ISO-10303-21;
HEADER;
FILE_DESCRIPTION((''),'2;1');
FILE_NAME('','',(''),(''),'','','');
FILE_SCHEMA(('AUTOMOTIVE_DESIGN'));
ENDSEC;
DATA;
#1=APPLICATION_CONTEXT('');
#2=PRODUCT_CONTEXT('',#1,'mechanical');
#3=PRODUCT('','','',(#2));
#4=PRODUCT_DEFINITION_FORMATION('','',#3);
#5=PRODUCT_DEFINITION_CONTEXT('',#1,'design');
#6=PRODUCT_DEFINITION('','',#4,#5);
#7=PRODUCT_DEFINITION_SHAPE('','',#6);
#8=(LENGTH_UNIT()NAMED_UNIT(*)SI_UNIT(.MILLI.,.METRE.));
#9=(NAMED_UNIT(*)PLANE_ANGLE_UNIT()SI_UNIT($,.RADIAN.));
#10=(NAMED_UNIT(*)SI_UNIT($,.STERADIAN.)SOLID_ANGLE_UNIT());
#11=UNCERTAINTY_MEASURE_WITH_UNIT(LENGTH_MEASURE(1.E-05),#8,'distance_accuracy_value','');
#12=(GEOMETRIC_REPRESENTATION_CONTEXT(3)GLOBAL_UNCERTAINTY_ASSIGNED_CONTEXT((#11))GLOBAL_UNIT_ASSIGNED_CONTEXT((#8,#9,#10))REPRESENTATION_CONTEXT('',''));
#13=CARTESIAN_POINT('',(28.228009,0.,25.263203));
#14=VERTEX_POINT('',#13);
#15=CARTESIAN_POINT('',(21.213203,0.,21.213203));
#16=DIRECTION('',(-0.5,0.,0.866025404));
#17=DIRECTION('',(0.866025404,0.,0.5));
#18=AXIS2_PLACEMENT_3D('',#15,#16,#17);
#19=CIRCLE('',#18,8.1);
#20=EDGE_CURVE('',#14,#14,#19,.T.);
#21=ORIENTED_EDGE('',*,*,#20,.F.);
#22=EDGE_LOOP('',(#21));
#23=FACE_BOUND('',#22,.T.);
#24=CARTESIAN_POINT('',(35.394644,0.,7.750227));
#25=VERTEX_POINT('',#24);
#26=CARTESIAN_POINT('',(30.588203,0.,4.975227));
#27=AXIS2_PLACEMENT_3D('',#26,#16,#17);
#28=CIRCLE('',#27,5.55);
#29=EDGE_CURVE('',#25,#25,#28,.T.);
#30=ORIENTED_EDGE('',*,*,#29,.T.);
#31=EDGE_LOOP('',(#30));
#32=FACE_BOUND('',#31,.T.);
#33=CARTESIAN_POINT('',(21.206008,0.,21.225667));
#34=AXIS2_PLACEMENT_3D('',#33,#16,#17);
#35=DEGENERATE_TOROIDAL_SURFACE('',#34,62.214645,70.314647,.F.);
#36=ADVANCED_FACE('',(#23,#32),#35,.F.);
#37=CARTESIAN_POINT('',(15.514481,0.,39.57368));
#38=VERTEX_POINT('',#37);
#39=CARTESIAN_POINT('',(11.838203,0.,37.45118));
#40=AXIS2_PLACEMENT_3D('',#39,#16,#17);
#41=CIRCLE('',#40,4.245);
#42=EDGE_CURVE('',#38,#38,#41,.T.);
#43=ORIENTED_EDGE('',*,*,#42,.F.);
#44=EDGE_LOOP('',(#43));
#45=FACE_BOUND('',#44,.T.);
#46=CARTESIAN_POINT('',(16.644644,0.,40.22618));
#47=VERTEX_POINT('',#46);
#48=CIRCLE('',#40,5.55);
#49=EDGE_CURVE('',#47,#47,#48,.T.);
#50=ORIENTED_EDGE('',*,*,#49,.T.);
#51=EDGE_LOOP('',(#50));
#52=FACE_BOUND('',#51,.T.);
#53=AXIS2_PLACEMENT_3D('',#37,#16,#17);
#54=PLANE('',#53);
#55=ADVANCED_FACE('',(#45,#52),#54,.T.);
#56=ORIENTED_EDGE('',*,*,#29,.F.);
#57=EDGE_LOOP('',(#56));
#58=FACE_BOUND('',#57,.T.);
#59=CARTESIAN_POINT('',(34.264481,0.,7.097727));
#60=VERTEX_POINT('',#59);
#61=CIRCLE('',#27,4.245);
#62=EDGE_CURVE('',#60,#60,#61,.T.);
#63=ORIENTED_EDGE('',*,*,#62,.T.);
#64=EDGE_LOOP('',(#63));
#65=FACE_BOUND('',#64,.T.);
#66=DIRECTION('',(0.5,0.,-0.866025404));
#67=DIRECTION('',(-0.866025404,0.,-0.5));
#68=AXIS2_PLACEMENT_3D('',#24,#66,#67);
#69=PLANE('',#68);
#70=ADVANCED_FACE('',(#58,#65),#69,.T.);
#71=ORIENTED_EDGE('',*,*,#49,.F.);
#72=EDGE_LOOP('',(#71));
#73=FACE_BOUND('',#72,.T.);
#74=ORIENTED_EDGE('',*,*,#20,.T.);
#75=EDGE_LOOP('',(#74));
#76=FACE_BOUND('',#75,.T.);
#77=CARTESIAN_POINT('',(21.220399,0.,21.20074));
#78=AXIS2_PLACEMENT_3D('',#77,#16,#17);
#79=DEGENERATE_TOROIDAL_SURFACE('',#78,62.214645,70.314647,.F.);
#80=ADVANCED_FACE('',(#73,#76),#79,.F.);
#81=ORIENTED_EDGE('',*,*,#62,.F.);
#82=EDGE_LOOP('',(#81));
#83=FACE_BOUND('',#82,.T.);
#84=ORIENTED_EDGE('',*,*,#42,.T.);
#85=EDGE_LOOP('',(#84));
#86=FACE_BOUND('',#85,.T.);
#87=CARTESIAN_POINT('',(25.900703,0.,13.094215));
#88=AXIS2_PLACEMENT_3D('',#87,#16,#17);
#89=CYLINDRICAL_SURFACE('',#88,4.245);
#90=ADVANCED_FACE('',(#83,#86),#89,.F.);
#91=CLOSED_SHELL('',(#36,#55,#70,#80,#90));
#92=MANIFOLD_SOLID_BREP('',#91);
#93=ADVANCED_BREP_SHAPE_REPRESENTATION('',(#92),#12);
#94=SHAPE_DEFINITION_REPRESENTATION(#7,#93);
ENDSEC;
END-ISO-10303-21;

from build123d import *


with BuildPart() as part:
    # Sketch5 → Revolve2 (revolve)
    with BuildSketch(Plane(origin=(0, 0, 8.965754722), x_dir=(-1, 0, 0), z_dir=(0, 1, 0))):
        with BuildLine():
            Line((-35.394644427, -1.215527607), (-34.264481275, -1.868027607))
            Line((-34.264481275, -1.868027607), (-15.514481275, 30.607925035))
            Line((-15.514481275, 30.607925035), (-16.644644427, 31.260425035))
            ThreePointArc((-16.644644427, 31.260425035), (-22.941967953, 24.170371413), (-28.228009206, 16.297448714))
            ThreePointArc((-28.228009206, 16.297448714), (-32.40313964, 7.783141354), (-35.394644427, -1.215527607))
        make_face()
    revolve(axis=Axis((25.900703436, 0, 13.094215275), (-0.5000000000000001, 0, 0.8660254037844387)))


solid = part.part
